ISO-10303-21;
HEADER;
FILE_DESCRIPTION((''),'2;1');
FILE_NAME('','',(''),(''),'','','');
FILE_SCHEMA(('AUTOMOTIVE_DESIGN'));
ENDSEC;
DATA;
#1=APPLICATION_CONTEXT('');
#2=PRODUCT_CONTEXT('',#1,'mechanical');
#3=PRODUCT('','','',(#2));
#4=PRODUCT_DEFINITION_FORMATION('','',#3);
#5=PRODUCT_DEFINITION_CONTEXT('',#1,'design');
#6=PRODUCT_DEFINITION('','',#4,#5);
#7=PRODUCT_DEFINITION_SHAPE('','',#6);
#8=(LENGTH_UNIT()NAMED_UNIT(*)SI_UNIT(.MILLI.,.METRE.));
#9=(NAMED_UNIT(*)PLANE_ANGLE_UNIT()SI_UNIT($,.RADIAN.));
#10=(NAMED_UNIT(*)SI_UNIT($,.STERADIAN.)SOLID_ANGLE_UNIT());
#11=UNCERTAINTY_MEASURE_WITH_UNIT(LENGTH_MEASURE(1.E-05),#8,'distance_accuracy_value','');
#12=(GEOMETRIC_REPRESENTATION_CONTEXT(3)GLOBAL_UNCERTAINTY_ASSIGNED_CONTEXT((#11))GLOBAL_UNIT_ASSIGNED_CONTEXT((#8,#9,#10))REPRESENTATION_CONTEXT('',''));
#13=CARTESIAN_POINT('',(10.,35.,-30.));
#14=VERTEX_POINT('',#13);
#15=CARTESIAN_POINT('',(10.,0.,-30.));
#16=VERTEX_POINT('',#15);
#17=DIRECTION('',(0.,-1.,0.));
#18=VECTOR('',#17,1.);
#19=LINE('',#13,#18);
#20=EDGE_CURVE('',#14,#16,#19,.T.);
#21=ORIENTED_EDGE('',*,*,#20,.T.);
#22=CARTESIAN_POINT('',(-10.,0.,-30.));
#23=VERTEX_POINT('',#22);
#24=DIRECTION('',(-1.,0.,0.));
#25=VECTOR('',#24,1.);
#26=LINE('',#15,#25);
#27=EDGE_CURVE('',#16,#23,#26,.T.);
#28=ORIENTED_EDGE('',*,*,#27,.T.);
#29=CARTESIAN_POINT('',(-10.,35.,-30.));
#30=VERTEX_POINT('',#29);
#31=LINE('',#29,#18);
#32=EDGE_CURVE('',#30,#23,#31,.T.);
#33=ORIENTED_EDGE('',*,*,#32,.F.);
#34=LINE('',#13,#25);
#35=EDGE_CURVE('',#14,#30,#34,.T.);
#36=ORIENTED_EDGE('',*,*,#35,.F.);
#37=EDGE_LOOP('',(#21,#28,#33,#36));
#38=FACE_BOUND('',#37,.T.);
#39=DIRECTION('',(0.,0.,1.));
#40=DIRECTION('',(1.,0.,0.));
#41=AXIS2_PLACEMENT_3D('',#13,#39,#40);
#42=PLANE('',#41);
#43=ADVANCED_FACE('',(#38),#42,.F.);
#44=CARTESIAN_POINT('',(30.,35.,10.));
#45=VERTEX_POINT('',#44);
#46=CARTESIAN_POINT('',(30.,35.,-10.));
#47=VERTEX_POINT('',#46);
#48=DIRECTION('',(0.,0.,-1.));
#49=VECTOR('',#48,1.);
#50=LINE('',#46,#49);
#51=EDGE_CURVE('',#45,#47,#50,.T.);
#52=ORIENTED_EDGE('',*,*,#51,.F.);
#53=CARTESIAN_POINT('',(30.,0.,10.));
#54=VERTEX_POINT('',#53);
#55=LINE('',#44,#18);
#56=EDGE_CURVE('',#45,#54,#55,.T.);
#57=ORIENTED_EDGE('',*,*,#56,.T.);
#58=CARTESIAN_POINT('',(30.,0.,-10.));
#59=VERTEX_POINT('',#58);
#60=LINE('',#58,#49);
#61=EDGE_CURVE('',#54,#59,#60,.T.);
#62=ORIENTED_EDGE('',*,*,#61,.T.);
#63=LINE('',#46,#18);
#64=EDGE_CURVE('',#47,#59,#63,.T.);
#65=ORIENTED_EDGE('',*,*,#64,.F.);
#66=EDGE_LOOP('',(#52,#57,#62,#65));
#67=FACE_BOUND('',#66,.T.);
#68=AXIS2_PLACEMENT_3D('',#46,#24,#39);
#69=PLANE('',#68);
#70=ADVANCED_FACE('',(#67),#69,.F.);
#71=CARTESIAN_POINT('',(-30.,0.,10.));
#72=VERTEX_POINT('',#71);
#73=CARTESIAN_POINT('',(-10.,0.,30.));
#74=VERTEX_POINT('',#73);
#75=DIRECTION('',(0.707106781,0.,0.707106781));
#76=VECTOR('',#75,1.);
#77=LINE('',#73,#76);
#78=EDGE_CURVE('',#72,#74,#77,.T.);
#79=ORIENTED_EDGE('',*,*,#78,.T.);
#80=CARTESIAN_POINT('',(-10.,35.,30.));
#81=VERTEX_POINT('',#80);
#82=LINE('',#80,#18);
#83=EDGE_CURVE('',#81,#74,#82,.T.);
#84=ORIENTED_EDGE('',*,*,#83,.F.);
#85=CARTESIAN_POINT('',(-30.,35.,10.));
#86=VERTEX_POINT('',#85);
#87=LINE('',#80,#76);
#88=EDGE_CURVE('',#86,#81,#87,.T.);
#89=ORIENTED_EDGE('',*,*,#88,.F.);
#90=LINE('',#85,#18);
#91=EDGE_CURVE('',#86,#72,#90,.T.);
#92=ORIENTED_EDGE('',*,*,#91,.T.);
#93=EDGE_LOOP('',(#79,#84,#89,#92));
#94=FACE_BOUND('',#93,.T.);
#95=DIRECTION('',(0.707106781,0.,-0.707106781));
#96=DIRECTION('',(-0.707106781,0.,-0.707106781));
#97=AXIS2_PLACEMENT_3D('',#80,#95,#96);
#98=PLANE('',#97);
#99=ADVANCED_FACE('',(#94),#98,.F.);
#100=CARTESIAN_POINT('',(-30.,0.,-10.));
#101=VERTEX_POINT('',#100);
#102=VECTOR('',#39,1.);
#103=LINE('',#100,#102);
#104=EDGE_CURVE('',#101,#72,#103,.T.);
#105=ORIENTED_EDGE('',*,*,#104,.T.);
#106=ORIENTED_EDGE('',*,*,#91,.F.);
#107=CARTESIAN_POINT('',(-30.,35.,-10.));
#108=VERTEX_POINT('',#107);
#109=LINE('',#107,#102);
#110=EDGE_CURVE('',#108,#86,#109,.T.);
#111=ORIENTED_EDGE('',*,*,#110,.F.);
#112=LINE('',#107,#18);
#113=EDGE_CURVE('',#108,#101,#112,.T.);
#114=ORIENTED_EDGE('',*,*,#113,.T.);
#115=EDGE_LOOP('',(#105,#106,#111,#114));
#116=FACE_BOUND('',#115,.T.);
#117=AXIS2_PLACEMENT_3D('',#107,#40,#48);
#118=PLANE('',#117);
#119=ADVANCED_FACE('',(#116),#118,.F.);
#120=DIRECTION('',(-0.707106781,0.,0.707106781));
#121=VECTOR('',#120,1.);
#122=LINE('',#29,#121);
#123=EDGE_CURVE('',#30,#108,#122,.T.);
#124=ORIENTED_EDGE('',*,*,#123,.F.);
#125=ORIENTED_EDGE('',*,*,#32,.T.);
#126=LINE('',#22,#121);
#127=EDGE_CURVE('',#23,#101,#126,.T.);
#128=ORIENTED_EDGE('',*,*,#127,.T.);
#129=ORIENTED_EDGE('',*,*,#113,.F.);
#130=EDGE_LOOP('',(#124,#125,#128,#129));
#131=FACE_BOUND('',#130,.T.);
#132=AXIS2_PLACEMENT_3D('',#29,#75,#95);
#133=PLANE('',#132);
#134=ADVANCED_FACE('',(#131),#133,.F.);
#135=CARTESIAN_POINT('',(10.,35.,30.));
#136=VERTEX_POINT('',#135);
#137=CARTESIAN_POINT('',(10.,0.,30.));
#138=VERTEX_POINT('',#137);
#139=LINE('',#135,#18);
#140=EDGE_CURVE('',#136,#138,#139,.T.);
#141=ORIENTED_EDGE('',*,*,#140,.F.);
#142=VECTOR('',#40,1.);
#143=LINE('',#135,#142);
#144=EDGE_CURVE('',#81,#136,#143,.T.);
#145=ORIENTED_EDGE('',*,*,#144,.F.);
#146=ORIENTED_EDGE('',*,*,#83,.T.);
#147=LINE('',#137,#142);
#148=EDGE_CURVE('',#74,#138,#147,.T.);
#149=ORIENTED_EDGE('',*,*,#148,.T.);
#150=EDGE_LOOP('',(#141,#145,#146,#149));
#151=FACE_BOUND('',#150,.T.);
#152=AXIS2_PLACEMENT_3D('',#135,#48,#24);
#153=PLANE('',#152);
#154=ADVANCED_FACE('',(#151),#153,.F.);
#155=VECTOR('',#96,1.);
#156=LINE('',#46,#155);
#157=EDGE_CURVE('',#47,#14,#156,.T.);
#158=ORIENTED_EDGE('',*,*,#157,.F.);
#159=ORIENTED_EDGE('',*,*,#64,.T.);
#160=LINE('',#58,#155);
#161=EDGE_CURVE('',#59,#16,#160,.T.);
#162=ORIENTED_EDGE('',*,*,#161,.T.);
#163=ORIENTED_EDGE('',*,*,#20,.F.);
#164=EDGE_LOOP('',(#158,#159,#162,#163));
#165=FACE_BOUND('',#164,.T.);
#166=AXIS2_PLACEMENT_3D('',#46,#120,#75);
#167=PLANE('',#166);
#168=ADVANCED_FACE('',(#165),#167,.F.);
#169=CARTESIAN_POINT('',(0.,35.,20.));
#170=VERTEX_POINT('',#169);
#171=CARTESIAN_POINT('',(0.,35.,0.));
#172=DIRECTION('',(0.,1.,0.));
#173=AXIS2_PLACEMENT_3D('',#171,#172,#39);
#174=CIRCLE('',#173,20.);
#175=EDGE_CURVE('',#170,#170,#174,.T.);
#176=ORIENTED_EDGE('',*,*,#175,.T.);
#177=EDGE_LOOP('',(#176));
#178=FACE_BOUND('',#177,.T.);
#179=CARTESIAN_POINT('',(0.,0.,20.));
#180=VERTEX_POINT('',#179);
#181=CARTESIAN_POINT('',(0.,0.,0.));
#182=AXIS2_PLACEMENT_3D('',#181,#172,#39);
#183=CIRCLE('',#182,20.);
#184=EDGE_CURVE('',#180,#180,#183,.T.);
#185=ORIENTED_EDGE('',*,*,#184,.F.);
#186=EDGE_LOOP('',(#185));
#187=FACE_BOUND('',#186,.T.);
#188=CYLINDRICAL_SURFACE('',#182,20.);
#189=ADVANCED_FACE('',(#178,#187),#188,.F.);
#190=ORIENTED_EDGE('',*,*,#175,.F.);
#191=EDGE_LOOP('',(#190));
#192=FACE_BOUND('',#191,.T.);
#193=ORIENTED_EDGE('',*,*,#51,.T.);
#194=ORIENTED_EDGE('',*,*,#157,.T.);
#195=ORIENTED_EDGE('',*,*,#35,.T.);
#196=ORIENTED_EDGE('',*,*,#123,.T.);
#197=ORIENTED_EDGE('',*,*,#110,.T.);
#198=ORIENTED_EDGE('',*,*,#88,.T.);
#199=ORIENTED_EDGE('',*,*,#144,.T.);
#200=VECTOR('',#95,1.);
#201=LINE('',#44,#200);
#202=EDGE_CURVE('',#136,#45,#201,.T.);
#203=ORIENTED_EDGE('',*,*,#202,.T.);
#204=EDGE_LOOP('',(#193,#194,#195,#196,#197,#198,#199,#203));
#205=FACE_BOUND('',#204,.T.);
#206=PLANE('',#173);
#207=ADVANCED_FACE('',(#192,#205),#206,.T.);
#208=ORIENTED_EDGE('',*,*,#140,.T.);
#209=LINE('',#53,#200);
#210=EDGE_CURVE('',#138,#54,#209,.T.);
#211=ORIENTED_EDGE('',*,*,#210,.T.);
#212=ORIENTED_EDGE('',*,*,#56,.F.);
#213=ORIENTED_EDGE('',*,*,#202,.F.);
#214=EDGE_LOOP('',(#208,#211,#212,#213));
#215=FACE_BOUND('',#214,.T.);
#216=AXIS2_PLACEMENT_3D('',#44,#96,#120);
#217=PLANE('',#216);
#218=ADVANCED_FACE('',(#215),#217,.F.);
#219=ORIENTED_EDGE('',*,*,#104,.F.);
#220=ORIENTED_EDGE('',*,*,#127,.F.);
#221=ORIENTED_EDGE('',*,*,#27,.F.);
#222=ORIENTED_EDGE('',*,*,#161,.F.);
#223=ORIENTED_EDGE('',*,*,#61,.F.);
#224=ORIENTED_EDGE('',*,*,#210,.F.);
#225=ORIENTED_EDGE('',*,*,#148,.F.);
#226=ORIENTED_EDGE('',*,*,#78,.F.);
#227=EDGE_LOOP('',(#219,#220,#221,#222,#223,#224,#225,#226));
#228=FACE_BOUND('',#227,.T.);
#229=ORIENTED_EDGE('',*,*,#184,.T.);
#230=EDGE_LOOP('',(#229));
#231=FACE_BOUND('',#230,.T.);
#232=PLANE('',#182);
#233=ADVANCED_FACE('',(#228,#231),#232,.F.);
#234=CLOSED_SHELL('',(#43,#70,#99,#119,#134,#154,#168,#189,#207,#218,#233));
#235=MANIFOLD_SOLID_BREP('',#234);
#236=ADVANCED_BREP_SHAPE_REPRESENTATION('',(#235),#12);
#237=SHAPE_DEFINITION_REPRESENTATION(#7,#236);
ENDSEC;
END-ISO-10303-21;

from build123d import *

# Parameters (mm, degrees)
BOSS_EXTRUDE1_DEPTH = 35
SKETCH2_R           = 20
CUT_EXTRUDE1_DEPTH  = 36


with BuildPart() as part:
    # Sketch1 → Boss-Extrude1 (new body)
    with BuildSketch(Plane(origin=(0, 0, 0), x_dir=(1, 0, 0), z_dir=(0, 1, 0))):
        Polygon((30, 10), (10, 30), (-10, 30), (-30, 10), (-30, -10), (-10, -30), (10, -30), (30, -10), align=None)
    extrude(amount=BOSS_EXTRUDE1_DEPTH)

    # Sketch2 → Cut-Extrude1 (cut, through all)
    with BuildSketch(Plane(origin=(0, 35, 0), x_dir=(1, 0, 0), z_dir=(0, 1, 0))):
        Circle(SKETCH2_R)
    extrude(amount=-CUT_EXTRUDE1_DEPTH, mode=Mode.SUBTRACT)


solid = part.part
